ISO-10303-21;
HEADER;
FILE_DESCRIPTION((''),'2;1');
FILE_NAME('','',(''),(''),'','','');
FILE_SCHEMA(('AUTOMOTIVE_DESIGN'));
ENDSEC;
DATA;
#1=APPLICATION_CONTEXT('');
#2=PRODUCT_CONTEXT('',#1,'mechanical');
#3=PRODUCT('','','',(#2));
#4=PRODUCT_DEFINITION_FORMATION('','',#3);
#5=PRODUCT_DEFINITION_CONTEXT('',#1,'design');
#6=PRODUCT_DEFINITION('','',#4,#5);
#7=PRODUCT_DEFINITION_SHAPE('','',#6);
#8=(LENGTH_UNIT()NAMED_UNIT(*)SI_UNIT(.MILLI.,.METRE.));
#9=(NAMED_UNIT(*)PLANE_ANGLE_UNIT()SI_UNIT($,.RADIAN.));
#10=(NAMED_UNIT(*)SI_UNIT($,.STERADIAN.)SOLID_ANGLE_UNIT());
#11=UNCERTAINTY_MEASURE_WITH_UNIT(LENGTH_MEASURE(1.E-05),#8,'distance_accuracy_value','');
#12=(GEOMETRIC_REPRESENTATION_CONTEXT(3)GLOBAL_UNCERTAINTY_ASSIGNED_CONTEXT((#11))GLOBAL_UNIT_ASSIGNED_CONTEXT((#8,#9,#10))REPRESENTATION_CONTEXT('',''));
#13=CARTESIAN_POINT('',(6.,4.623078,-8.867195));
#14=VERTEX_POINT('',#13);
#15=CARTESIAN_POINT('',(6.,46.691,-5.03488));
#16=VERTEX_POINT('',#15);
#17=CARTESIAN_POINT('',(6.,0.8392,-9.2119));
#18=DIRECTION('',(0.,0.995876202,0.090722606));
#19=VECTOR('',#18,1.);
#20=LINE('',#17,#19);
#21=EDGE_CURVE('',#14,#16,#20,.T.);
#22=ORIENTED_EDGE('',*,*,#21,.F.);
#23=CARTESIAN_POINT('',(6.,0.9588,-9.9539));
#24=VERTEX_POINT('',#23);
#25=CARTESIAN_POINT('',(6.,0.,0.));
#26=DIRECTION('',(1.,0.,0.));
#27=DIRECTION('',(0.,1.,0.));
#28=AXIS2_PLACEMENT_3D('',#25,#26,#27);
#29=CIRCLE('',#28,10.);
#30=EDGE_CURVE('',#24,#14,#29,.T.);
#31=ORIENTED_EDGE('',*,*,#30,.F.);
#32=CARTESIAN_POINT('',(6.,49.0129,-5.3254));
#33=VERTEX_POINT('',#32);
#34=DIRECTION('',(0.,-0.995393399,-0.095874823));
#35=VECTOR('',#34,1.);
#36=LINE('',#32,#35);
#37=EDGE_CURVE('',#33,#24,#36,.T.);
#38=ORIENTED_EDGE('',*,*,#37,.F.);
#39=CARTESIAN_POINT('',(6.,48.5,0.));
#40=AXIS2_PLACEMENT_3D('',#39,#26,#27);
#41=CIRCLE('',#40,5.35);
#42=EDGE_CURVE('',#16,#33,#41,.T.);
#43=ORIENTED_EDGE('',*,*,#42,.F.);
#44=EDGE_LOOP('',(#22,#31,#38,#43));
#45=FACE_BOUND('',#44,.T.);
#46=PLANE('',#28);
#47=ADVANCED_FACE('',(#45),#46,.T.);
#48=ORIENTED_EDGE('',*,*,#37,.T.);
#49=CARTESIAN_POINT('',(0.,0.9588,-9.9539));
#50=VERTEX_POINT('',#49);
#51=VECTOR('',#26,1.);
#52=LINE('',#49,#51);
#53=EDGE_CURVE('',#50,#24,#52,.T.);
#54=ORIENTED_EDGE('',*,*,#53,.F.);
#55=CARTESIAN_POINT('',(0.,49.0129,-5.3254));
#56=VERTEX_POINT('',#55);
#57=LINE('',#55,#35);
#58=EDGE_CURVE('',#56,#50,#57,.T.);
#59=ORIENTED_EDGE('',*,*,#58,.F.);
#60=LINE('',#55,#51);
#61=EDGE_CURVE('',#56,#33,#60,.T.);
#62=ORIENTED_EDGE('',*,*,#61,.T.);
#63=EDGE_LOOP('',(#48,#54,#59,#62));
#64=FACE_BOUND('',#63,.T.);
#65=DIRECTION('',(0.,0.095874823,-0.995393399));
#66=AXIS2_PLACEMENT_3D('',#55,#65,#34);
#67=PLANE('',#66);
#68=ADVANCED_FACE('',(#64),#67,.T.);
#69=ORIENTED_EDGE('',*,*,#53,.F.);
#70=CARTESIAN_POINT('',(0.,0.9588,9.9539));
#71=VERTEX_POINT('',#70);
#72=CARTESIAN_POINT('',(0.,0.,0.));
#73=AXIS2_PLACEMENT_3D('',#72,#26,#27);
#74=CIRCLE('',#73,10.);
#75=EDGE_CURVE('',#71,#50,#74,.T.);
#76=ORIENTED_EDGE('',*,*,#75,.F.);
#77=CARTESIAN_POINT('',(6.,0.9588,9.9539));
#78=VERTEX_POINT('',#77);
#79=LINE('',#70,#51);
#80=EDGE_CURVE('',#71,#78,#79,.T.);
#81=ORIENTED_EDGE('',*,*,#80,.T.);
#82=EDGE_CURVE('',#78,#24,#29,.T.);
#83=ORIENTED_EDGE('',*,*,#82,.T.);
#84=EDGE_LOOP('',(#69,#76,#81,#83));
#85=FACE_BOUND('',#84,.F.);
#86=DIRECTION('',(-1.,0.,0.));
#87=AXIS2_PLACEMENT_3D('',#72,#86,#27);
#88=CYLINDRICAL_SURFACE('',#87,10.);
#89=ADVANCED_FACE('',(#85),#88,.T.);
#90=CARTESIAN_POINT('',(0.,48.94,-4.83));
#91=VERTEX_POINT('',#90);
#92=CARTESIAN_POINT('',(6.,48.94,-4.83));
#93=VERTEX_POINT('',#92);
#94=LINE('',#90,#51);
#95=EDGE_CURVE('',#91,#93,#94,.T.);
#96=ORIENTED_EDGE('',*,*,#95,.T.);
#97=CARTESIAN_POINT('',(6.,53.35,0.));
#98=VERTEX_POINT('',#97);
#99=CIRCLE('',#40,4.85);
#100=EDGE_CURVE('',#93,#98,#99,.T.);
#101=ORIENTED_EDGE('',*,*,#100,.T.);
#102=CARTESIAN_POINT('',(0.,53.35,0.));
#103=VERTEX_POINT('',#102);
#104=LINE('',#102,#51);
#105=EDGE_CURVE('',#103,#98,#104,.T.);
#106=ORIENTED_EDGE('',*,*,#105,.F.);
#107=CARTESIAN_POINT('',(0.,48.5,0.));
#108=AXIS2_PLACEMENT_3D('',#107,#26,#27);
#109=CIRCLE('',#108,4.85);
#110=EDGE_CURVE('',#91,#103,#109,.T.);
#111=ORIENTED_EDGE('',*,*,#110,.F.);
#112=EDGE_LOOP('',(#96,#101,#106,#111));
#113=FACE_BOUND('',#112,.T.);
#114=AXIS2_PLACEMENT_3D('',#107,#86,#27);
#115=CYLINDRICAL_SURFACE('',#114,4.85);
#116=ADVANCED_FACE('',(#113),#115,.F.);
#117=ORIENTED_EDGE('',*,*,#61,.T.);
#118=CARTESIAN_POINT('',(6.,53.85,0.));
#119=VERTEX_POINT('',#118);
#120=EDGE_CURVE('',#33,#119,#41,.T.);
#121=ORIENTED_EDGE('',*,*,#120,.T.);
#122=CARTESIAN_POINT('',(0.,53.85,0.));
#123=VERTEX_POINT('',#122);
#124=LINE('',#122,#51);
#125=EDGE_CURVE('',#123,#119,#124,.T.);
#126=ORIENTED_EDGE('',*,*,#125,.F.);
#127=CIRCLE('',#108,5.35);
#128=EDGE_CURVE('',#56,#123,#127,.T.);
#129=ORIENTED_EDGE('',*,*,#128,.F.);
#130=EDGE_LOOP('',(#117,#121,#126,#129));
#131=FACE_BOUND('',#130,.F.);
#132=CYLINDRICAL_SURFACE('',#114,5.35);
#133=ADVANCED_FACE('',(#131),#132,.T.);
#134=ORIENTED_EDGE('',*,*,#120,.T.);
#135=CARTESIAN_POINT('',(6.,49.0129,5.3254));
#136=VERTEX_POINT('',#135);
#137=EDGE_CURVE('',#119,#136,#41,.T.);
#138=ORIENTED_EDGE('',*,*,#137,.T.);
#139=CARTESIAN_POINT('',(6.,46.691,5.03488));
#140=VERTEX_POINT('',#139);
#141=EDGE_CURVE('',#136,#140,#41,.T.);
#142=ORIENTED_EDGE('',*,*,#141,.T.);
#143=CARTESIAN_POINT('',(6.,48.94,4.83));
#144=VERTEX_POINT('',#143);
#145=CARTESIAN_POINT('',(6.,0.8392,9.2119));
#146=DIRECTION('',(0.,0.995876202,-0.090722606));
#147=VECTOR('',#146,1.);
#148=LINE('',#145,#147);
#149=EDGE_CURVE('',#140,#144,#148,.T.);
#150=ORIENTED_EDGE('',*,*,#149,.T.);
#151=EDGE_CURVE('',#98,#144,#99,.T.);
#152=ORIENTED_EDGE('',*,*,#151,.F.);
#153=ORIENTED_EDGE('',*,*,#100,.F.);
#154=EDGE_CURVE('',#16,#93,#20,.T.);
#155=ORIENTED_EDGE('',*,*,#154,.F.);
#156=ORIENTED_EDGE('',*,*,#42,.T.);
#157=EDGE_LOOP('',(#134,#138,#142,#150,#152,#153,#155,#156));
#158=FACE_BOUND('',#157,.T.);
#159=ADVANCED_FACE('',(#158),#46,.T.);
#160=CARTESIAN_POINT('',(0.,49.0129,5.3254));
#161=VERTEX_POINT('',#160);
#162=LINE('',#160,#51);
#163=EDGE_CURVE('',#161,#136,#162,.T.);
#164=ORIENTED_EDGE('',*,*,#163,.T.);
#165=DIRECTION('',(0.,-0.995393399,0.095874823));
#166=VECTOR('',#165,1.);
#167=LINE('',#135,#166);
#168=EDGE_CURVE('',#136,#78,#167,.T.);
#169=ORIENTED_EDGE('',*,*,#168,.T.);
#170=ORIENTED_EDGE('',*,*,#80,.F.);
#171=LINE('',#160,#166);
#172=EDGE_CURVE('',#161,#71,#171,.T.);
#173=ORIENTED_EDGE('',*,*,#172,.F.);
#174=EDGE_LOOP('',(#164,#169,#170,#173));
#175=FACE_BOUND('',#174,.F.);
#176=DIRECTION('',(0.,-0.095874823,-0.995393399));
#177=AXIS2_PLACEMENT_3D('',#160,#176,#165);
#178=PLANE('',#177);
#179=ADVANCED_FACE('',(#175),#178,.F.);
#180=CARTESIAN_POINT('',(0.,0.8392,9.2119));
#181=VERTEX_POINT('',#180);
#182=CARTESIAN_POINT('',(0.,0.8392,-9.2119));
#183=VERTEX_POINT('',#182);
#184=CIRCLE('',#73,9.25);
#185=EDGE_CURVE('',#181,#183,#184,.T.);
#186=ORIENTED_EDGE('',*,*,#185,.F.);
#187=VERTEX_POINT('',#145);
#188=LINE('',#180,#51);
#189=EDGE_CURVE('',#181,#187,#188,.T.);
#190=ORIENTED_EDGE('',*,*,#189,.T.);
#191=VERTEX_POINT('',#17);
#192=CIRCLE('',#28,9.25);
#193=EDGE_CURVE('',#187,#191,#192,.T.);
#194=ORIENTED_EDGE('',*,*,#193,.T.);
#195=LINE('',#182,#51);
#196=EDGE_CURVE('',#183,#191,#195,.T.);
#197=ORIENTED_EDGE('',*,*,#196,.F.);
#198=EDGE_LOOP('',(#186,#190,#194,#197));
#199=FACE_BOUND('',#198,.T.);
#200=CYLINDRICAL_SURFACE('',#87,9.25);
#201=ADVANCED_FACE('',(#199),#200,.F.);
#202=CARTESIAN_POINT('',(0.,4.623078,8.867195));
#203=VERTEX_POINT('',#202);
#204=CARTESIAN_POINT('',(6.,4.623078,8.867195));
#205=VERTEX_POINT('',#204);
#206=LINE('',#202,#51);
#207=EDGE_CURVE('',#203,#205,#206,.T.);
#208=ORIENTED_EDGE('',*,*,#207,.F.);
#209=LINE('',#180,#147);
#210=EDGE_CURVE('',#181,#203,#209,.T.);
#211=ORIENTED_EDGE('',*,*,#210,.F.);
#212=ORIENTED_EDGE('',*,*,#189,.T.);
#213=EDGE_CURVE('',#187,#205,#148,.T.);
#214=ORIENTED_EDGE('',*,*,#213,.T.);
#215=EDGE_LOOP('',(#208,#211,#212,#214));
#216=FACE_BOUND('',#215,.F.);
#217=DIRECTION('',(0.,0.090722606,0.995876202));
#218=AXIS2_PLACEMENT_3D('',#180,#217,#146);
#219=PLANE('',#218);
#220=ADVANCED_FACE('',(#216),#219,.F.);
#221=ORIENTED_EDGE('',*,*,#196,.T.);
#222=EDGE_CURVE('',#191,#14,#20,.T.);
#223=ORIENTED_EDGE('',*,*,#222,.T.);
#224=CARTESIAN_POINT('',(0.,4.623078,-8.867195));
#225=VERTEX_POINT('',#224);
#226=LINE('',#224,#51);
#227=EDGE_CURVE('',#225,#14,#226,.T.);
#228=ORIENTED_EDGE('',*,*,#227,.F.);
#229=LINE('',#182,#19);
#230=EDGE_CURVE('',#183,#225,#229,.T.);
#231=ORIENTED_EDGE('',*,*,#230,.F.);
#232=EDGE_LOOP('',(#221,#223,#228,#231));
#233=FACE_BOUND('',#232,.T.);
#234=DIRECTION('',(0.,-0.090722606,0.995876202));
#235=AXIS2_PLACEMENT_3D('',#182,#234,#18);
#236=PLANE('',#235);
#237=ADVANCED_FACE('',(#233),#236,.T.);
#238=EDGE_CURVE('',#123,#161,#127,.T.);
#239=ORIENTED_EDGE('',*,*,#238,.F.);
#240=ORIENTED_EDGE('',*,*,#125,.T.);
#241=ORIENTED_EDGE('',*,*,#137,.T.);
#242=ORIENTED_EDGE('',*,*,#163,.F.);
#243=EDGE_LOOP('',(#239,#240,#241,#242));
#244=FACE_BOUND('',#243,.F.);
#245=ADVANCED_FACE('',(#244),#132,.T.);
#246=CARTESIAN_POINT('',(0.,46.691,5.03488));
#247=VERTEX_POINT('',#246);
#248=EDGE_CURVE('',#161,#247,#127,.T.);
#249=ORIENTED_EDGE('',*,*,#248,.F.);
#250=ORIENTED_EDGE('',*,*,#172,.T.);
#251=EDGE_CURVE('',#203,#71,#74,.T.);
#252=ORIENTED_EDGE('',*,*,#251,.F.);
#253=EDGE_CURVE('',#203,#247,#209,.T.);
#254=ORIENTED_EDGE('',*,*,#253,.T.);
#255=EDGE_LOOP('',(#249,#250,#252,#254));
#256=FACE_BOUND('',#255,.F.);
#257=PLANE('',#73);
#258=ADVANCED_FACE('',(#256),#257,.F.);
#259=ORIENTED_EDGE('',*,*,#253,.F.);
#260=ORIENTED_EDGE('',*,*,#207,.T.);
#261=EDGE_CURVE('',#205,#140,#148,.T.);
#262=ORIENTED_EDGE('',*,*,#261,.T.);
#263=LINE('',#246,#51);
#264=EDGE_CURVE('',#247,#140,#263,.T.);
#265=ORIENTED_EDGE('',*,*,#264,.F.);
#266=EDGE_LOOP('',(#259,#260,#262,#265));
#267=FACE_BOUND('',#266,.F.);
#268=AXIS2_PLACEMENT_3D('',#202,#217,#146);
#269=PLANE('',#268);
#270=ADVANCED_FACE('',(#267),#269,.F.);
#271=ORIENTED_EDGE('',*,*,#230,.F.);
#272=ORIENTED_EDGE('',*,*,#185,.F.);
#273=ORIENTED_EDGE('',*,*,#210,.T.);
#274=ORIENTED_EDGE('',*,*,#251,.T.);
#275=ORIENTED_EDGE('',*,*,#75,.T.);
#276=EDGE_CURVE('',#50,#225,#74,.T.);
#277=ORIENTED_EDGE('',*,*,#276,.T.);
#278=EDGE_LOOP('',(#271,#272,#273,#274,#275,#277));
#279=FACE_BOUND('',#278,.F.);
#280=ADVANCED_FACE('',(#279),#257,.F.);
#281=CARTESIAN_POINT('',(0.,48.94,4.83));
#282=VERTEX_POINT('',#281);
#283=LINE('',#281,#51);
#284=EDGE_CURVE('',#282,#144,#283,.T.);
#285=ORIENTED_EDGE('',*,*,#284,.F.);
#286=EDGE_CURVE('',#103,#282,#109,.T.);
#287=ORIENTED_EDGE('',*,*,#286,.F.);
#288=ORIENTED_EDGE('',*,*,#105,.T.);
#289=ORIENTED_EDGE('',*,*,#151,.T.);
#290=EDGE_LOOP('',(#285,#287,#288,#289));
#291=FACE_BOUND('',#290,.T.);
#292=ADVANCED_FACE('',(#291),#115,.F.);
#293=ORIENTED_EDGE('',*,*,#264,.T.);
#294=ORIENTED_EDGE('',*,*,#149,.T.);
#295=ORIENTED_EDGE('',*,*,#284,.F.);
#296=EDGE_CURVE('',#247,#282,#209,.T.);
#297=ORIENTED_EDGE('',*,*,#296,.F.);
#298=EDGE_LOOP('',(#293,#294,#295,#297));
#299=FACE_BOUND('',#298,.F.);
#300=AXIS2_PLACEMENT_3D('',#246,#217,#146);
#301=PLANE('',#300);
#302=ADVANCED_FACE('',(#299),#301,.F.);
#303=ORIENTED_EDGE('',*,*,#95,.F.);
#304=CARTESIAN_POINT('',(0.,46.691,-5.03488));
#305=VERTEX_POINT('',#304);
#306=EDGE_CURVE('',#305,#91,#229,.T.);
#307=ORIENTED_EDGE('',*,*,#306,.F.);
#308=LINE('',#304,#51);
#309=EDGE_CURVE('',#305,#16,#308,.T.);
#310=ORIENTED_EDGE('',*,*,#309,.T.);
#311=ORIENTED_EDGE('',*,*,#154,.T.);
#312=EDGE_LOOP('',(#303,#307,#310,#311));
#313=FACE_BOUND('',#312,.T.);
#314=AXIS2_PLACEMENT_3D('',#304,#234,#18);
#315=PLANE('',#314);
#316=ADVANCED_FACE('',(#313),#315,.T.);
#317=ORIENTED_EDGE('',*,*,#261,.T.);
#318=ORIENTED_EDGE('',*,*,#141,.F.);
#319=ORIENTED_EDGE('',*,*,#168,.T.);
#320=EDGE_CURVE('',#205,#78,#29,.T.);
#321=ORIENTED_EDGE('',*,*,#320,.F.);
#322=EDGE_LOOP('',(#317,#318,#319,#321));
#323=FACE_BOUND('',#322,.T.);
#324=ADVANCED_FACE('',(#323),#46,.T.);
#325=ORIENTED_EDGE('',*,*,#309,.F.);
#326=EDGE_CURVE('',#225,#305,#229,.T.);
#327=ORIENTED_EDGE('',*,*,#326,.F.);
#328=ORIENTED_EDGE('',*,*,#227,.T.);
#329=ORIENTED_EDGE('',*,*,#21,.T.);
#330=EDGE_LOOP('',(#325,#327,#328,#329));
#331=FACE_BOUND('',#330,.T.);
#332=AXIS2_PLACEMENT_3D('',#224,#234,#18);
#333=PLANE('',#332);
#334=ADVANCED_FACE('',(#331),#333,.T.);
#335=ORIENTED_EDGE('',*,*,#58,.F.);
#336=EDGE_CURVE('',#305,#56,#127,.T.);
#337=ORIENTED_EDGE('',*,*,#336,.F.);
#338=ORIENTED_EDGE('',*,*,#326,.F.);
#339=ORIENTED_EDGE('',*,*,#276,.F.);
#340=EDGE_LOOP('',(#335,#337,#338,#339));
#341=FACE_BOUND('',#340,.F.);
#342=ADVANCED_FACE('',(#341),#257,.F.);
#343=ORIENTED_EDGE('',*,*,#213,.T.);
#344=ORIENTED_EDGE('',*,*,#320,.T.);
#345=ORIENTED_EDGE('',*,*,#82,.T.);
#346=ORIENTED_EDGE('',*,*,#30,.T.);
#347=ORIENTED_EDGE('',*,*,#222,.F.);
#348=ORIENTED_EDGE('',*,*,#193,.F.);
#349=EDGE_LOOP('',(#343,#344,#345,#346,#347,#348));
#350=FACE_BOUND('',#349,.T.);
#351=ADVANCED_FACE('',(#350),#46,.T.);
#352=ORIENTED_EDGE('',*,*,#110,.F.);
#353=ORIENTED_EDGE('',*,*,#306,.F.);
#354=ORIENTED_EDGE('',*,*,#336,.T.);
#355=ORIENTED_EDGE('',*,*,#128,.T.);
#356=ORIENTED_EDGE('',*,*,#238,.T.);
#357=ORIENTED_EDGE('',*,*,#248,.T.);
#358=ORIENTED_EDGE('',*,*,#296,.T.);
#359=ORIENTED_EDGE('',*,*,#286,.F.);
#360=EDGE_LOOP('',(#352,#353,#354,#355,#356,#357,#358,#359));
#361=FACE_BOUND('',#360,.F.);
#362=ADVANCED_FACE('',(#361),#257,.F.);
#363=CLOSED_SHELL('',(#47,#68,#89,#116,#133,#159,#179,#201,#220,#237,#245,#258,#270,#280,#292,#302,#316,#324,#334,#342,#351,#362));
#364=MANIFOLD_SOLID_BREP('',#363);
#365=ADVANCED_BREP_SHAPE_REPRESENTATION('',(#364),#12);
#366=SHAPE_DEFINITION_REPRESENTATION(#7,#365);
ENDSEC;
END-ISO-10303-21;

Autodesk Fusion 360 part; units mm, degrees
sketch "草图1" plane through (0, 0, 0) normal (1, 0, 0) x (0, 1, 0)
  circle A0 centre (0, 0) radius 9.25
  circle A1 centre (0, 0) radius 10
  line L0 (0, 0) -> (48.5, 0)
  circle A2 centre (48.5, 0) radius 4.85
  circle A3 centre (48.5, 0) radius 5.35
  line L1 (49.0129, 5.3254) -> (0.9588, 9.9539)
  line L2 (49.0129, -5.3254) -> (0.9588, -9.9539)
  line L3 (0.8392, -9.2119) -> (48.94, -4.83)
  line L4 (0.8392, 9.2119) -> (48.94, 4.83)
  dimension "d1" = 18.5
  dimension "d2" = 20
  dimension "d3" = 48.5
  dimension "d4" = 9.7
  dimension "d5" = 10.7
extrude "拉伸1" add sketch "草图1" along normal blind 6 contours A0 A1 L3 L4 | A1 A3 L1 L4 | A1 A3 L2 L3 | A2 A3 L3 L4
